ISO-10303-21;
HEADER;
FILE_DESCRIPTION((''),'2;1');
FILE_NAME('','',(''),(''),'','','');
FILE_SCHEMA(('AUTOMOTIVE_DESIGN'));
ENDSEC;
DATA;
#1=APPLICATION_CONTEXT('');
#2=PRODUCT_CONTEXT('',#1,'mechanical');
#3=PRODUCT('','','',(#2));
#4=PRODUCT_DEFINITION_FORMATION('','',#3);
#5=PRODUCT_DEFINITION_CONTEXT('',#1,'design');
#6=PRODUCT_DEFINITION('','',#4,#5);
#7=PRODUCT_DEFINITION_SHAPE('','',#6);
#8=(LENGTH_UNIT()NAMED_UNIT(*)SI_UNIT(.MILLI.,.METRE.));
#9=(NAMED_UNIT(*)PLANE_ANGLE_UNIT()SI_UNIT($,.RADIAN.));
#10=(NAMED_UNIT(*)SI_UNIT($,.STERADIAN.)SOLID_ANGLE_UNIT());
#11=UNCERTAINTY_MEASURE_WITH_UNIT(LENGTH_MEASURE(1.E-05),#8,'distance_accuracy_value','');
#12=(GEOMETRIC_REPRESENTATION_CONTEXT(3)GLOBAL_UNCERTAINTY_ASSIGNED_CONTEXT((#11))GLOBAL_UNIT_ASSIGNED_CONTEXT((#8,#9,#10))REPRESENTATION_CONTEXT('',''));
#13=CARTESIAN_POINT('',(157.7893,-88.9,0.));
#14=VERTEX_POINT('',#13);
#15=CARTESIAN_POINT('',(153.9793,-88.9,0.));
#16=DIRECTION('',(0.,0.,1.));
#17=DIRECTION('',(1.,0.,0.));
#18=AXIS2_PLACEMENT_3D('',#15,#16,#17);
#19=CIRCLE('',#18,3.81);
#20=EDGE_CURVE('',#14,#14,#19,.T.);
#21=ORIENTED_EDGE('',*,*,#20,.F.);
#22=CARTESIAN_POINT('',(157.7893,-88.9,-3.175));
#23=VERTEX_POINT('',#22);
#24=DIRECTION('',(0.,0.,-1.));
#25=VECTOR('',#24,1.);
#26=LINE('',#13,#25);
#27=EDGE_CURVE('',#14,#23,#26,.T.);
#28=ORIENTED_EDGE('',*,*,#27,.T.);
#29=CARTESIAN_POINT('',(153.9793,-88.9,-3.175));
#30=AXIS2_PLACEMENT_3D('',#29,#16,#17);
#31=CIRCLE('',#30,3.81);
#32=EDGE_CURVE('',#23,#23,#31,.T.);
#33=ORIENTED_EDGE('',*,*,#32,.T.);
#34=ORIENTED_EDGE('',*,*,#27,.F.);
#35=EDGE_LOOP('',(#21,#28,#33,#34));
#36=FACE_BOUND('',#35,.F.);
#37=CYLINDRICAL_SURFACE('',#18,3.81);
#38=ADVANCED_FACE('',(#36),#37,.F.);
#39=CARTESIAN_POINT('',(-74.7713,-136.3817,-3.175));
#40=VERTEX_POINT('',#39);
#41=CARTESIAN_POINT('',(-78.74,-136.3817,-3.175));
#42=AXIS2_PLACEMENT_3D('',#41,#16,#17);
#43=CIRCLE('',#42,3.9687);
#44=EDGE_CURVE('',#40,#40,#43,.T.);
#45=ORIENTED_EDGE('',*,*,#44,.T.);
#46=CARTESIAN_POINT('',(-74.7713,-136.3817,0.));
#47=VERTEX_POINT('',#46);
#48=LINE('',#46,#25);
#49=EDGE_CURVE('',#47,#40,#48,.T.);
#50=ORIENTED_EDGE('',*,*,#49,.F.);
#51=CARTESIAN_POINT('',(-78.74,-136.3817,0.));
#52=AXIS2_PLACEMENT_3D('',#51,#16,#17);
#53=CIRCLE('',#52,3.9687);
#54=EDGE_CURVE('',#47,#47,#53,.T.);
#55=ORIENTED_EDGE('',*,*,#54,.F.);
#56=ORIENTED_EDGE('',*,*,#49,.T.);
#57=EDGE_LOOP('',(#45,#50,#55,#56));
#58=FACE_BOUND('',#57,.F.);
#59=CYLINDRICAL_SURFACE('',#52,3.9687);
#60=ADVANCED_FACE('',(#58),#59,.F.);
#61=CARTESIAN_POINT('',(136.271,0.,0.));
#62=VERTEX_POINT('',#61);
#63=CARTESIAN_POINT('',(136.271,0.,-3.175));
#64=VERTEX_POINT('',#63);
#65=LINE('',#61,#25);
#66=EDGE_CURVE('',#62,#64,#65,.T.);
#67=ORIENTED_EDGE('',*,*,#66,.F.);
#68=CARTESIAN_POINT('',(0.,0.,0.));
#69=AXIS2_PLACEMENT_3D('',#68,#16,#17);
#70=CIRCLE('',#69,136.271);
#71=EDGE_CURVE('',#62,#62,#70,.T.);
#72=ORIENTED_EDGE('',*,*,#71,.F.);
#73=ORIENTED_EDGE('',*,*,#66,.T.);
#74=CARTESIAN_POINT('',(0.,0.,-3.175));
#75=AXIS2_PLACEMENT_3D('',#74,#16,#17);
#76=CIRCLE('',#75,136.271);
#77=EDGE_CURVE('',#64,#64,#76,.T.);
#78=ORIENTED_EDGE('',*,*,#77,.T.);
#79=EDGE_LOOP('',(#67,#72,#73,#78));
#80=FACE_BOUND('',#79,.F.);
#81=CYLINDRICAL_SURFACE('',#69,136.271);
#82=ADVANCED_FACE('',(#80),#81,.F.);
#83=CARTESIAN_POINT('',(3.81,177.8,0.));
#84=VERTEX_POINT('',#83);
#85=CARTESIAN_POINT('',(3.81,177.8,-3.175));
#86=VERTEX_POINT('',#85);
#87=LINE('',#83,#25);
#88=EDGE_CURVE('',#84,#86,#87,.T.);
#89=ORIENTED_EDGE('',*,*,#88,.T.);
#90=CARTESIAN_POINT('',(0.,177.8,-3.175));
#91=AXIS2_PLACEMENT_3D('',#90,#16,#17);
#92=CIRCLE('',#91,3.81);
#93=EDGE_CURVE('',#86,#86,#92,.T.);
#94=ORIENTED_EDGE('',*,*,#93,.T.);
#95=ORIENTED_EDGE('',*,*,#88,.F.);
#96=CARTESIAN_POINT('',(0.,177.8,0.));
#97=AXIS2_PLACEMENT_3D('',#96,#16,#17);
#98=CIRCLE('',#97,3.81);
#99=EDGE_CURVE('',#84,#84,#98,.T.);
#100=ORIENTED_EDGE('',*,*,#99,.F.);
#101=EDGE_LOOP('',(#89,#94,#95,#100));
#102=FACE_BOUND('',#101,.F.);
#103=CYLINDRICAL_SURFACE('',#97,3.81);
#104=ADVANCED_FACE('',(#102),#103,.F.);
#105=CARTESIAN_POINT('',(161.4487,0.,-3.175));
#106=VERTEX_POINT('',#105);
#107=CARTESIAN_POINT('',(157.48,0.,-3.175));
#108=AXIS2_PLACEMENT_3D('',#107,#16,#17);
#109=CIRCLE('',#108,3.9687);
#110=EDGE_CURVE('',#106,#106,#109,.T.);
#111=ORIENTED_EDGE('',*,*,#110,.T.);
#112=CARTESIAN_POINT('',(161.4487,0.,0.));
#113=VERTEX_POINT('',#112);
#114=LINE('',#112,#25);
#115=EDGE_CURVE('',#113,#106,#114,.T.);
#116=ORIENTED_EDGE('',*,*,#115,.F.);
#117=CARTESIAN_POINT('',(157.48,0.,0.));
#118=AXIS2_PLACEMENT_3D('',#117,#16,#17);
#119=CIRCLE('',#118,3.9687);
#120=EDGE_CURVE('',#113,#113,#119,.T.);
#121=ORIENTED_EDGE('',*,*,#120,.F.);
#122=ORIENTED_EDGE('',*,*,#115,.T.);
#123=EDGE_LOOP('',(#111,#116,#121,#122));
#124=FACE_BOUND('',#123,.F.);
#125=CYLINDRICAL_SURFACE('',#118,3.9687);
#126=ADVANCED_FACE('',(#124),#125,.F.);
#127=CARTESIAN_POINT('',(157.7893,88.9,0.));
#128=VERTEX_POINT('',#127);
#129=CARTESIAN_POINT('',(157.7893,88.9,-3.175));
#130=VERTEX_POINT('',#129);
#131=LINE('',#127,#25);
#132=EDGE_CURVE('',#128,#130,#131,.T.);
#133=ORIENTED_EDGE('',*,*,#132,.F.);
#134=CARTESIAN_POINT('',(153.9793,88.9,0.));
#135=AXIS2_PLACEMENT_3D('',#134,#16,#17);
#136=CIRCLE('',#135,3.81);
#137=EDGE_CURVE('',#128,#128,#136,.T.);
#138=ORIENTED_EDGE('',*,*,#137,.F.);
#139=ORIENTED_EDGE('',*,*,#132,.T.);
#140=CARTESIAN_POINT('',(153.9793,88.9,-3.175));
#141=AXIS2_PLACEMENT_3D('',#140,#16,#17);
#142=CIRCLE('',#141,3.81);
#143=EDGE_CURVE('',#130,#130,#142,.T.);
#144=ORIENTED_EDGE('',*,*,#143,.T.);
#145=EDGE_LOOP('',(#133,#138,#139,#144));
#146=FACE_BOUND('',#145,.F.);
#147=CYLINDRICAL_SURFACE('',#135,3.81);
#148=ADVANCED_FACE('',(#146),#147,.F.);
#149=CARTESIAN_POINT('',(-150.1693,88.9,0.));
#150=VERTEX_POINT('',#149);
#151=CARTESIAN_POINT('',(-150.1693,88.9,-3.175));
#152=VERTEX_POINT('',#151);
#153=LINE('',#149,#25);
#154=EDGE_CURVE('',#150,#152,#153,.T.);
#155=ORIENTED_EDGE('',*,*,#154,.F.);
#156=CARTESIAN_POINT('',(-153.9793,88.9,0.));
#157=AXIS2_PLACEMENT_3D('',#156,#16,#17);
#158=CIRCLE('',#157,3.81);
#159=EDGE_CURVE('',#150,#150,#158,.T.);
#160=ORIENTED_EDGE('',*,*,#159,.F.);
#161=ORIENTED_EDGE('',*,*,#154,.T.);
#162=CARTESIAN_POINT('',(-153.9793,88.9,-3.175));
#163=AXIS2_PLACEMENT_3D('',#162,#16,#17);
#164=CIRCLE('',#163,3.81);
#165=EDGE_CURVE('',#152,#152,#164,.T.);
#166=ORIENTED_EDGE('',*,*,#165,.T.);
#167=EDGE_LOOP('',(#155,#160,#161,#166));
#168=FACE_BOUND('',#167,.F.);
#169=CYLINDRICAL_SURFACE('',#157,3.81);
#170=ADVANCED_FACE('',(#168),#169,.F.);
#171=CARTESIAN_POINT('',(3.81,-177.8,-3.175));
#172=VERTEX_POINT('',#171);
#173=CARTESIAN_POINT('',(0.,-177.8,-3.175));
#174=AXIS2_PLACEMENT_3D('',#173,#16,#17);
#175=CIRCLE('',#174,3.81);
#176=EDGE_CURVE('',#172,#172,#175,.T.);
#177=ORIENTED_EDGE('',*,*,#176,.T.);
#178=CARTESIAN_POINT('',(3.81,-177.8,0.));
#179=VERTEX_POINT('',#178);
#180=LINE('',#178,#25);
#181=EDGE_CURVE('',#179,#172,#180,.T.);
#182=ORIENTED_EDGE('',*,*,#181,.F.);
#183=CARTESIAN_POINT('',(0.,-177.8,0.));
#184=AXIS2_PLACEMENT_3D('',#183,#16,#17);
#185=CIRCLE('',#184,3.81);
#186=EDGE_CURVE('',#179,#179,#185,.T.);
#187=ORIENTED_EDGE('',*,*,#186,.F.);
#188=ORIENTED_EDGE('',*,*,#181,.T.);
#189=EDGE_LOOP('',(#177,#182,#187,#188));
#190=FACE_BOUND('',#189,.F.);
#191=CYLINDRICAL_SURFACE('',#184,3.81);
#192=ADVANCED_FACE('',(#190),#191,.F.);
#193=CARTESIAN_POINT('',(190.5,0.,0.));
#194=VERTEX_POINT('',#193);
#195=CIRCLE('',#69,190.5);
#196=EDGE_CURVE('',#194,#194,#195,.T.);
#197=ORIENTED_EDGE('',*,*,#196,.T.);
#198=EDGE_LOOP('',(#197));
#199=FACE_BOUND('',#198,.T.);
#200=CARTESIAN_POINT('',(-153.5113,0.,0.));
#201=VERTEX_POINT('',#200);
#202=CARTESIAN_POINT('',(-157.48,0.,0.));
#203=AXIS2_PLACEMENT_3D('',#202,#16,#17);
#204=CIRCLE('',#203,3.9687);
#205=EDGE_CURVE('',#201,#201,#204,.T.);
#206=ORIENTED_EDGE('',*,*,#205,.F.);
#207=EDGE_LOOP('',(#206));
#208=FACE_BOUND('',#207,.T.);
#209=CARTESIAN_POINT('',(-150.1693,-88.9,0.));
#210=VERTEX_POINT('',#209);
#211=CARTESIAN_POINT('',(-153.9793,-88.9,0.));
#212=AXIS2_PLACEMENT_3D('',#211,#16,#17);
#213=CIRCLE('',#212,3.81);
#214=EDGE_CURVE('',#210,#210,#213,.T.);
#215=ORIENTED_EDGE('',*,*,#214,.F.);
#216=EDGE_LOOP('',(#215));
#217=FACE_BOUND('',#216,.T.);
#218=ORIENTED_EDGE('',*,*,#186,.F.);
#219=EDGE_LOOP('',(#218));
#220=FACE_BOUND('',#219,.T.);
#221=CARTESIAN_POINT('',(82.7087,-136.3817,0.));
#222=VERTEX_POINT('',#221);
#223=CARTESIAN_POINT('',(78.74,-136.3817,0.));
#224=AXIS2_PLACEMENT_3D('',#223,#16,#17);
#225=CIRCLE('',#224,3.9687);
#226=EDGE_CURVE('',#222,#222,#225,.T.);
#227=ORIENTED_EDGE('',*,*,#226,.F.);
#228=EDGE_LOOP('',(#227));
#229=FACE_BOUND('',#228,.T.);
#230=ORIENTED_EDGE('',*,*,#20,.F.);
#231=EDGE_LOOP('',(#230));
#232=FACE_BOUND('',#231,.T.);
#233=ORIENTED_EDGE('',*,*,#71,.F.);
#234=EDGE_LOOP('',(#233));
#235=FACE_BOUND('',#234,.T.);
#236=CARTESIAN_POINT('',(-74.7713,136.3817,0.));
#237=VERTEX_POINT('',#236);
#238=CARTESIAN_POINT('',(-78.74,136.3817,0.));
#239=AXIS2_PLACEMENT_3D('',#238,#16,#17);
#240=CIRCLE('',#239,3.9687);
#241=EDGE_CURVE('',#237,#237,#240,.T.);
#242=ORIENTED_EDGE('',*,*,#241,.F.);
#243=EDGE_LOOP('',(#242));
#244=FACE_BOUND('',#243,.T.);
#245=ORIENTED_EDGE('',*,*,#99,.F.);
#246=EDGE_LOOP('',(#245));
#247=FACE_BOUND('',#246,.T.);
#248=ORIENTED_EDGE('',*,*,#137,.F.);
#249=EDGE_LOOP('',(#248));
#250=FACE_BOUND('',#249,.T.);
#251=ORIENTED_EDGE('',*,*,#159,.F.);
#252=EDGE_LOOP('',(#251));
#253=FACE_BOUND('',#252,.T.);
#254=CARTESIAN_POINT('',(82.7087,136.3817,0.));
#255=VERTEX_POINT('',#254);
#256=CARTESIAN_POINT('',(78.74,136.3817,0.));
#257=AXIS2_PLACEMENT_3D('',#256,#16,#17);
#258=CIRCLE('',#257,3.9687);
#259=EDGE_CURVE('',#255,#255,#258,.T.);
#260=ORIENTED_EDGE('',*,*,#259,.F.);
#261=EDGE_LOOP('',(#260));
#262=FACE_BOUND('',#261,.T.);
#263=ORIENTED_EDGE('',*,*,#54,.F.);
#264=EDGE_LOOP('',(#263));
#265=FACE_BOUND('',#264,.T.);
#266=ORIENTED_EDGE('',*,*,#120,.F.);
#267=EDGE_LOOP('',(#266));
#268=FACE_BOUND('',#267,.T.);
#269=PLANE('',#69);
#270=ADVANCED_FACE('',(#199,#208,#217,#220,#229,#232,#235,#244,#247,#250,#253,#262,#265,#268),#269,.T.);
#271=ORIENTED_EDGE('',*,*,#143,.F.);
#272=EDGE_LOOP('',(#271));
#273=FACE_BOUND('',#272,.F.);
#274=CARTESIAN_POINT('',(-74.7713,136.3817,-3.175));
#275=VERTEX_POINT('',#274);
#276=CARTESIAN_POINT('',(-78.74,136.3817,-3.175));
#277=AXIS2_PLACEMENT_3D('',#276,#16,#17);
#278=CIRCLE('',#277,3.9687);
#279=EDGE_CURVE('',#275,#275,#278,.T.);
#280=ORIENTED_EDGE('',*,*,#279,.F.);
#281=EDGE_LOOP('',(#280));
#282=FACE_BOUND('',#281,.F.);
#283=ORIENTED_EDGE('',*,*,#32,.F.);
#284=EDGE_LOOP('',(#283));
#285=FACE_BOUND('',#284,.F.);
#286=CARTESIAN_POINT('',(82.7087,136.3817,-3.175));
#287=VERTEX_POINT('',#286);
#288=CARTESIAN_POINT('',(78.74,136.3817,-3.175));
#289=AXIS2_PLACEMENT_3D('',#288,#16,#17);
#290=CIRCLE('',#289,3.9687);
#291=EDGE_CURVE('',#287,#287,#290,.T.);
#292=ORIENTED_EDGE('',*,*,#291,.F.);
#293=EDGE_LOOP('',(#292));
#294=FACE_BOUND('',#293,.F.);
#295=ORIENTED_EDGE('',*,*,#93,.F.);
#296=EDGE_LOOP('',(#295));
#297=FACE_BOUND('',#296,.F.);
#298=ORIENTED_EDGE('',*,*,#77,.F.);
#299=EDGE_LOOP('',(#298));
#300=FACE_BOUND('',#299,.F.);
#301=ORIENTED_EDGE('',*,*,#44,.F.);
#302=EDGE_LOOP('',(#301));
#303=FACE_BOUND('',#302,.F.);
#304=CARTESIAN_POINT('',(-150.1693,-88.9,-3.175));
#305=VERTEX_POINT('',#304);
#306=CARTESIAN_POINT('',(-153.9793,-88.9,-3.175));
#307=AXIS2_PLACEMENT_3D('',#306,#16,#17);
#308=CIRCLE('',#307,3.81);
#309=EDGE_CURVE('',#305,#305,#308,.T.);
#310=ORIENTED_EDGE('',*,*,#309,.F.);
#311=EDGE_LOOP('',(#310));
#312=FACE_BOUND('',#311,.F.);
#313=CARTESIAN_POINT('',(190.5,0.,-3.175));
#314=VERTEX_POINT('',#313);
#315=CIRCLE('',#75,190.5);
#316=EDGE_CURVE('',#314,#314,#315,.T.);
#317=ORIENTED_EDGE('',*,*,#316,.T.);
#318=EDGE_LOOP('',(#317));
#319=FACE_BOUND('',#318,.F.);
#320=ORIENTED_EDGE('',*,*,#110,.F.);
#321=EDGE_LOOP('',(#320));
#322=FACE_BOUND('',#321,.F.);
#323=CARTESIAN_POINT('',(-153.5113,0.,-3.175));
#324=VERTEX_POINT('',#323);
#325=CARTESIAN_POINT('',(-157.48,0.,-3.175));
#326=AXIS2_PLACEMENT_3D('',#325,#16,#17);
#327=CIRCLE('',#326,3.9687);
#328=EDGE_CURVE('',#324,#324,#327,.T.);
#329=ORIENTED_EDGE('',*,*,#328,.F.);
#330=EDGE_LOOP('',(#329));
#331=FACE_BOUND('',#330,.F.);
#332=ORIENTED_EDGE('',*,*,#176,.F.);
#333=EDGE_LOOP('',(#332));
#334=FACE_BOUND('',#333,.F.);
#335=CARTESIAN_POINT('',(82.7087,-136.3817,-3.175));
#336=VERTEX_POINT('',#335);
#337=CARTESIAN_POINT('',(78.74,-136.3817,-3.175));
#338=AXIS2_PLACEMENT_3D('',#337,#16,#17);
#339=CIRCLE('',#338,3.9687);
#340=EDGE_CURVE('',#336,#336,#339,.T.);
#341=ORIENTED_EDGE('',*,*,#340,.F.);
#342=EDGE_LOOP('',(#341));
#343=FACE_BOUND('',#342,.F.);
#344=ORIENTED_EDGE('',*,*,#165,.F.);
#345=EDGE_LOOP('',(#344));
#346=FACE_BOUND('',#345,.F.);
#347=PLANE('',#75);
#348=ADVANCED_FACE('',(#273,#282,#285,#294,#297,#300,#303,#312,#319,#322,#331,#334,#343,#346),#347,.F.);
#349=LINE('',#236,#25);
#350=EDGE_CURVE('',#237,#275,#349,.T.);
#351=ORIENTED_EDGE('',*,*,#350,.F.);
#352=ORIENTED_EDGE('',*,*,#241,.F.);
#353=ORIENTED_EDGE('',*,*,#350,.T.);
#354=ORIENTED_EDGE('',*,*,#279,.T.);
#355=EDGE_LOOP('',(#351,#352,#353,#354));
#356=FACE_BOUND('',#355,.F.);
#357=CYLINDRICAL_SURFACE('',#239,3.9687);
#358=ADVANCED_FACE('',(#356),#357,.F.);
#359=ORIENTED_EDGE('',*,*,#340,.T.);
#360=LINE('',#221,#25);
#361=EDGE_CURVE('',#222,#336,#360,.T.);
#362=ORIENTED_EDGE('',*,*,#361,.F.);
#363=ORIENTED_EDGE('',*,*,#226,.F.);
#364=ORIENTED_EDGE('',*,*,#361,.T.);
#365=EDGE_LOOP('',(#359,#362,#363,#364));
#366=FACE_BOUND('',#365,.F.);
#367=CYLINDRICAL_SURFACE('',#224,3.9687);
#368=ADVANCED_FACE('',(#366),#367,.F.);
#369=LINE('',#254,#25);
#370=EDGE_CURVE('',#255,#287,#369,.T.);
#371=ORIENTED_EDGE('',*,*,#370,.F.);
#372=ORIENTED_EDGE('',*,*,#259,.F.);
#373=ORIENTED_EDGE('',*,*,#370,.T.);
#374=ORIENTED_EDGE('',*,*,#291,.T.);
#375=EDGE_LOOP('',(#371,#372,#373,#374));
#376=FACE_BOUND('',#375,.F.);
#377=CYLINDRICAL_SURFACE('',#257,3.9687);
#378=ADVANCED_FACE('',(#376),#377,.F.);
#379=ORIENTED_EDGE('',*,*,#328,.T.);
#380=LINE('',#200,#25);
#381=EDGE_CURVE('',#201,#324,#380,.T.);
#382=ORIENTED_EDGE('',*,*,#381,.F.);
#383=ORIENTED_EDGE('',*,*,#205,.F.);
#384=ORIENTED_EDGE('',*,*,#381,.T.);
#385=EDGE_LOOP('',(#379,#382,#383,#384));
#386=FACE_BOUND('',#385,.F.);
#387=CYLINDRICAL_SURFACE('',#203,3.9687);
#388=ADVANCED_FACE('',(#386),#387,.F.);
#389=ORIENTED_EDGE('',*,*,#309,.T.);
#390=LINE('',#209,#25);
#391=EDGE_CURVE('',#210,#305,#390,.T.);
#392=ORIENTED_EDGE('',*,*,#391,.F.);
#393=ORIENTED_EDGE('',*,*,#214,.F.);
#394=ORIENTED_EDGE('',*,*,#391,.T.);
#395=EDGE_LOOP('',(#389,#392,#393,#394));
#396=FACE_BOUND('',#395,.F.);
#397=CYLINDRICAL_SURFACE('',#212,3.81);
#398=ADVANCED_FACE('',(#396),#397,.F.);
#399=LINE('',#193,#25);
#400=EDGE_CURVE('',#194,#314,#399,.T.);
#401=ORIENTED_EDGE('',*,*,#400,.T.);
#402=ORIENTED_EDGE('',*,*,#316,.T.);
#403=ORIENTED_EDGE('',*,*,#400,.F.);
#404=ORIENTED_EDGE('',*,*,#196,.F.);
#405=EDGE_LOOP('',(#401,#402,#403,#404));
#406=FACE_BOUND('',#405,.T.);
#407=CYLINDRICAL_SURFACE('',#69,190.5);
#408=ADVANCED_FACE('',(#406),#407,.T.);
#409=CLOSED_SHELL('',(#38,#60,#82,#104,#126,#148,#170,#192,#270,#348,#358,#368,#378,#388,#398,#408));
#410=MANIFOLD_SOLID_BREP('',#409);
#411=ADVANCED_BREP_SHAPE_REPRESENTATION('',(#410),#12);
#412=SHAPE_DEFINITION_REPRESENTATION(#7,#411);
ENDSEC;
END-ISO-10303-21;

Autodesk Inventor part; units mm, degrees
ref_plane "YZ Plane" through (0, 0, 0) normal (1, 0, 0) x (0, 1, 0)
ref_plane "XZ Plane" through (0, 0, 0) normal (0, 1, 0) x (-1, 0, 0)
ref_plane "XY Plane" through (0, 0, 0) normal (0, 0, 1) x (1, 0, 0)
sketch "Sketch1" plane through (0, 0, 0) normal (0, 0, 1) x (1, 0, 0)
  circle A0 centre (0, 0) radius 136.271
  circle A1 centre (0, 0) radius 190.5
  dimension "d0" = 272.542
  dimension "d1" = 381
extrude "Extrusion1" add sketch "Sketch1" against normal blind 3.175
sketch "Sketch2" plane through (0, 0, 0) normal (0, 0, 1) x (1, 0, 0)
  circle A0 centre (0, 0) radius 157.48 construction
  circle A1 centre (-157.48, 0) radius 3.9687
  circle A2 centre (-78.74, -136.3817) radius 3.9687
  circle A3 centre (78.74, -136.3817) radius 3.9687
  circle A4 centre (157.48, 0) radius 3.9687
  circle A5 centre (78.74, 136.3817) radius 3.9687
  circle A6 centre (-78.74, 136.3817) radius 3.9687
  dimension "d6" = 314.96
  dimension "d7" = 7.9375
  dimension "d8" = 360
extrude "Extrusion2" cut sketch "Sketch2" against normal through all
sketch "Sketch3" plane through (0, 0, 0) normal (0, 0, 1) x (1, 0, 0)
  line L0 (0, 0) -> (0, -177.8) construction
  line L1 (0, 0) -> (177.8, 0) construction
  circle A0 centre (0, -177.8) radius 3.81
  circle A1 centre (153.9793, -88.9) radius 3.81
  circle A2 centre (153.9793, 88.9) radius 3.81
  circle A3 centre (0, 177.8) radius 3.81
  circle A4 centre (-153.9793, 88.9) radius 3.81
  circle A5 centre (-153.9793, -88.9) radius 3.81
  line L2 (0, 0) -> (0, -177.8) construction
  line L3 (0, 0) -> (177.8, 0) construction
  circle A6 centre (0, -177.8) radius 3.81
  circle A7 centre (153.9793, -88.9) radius 3.81
  circle A8 centre (153.9793, 88.9) radius 3.81
  circle A9 centre (0, 177.8) radius 3.81
  circle A10 centre (-153.9793, 88.9) radius 3.81
  circle A11 centre (-153.9793, -88.9) radius 3.81
  line L4 (0, 0) -> (0, -177.8) construction
  line L5 (0, 0) -> (177.8, 0) construction
  circle A12 centre (0, -177.8) radius 3.81
  circle A13 centre (153.9793, -88.9) radius 3.81
  circle A14 centre (153.9793, 88.9) radius 3.81
  circle A15 centre (0, 177.8) radius 3.81
  circle A16 centre (-153.9793, 88.9) radius 3.81
  circle A17 centre (-153.9793, -88.9) radius 3.81
  dimension "d13" = 177.8
  dimension "d14" = 90
  dimension "d15" = 7.62
  dimension "d16" = 360
  dimension "d19" = 177.8
  dimension "d20" = 90
  dimension "d21" = 7.62
  dimension "d22" = 360
  dimension "d25" = 177.8
  dimension "d26" = 90
  dimension "d27" = 7.62
  dimension "d28" = 360
extrude "Extrusion3" cut sketch "Sketch3" against normal through all
ref_plane "Work Plane1" through (0, 0, 0) normal (0, 0, 1) x (1, 0, 0)
sketch "Sketch4" plane through (0, 0, 0) normal (0, 0, 1) x (1, 0, 0)
  circle A0 centre (0, 0) radius 124.1061 construction
properties part number "Ring Gear Outer"
